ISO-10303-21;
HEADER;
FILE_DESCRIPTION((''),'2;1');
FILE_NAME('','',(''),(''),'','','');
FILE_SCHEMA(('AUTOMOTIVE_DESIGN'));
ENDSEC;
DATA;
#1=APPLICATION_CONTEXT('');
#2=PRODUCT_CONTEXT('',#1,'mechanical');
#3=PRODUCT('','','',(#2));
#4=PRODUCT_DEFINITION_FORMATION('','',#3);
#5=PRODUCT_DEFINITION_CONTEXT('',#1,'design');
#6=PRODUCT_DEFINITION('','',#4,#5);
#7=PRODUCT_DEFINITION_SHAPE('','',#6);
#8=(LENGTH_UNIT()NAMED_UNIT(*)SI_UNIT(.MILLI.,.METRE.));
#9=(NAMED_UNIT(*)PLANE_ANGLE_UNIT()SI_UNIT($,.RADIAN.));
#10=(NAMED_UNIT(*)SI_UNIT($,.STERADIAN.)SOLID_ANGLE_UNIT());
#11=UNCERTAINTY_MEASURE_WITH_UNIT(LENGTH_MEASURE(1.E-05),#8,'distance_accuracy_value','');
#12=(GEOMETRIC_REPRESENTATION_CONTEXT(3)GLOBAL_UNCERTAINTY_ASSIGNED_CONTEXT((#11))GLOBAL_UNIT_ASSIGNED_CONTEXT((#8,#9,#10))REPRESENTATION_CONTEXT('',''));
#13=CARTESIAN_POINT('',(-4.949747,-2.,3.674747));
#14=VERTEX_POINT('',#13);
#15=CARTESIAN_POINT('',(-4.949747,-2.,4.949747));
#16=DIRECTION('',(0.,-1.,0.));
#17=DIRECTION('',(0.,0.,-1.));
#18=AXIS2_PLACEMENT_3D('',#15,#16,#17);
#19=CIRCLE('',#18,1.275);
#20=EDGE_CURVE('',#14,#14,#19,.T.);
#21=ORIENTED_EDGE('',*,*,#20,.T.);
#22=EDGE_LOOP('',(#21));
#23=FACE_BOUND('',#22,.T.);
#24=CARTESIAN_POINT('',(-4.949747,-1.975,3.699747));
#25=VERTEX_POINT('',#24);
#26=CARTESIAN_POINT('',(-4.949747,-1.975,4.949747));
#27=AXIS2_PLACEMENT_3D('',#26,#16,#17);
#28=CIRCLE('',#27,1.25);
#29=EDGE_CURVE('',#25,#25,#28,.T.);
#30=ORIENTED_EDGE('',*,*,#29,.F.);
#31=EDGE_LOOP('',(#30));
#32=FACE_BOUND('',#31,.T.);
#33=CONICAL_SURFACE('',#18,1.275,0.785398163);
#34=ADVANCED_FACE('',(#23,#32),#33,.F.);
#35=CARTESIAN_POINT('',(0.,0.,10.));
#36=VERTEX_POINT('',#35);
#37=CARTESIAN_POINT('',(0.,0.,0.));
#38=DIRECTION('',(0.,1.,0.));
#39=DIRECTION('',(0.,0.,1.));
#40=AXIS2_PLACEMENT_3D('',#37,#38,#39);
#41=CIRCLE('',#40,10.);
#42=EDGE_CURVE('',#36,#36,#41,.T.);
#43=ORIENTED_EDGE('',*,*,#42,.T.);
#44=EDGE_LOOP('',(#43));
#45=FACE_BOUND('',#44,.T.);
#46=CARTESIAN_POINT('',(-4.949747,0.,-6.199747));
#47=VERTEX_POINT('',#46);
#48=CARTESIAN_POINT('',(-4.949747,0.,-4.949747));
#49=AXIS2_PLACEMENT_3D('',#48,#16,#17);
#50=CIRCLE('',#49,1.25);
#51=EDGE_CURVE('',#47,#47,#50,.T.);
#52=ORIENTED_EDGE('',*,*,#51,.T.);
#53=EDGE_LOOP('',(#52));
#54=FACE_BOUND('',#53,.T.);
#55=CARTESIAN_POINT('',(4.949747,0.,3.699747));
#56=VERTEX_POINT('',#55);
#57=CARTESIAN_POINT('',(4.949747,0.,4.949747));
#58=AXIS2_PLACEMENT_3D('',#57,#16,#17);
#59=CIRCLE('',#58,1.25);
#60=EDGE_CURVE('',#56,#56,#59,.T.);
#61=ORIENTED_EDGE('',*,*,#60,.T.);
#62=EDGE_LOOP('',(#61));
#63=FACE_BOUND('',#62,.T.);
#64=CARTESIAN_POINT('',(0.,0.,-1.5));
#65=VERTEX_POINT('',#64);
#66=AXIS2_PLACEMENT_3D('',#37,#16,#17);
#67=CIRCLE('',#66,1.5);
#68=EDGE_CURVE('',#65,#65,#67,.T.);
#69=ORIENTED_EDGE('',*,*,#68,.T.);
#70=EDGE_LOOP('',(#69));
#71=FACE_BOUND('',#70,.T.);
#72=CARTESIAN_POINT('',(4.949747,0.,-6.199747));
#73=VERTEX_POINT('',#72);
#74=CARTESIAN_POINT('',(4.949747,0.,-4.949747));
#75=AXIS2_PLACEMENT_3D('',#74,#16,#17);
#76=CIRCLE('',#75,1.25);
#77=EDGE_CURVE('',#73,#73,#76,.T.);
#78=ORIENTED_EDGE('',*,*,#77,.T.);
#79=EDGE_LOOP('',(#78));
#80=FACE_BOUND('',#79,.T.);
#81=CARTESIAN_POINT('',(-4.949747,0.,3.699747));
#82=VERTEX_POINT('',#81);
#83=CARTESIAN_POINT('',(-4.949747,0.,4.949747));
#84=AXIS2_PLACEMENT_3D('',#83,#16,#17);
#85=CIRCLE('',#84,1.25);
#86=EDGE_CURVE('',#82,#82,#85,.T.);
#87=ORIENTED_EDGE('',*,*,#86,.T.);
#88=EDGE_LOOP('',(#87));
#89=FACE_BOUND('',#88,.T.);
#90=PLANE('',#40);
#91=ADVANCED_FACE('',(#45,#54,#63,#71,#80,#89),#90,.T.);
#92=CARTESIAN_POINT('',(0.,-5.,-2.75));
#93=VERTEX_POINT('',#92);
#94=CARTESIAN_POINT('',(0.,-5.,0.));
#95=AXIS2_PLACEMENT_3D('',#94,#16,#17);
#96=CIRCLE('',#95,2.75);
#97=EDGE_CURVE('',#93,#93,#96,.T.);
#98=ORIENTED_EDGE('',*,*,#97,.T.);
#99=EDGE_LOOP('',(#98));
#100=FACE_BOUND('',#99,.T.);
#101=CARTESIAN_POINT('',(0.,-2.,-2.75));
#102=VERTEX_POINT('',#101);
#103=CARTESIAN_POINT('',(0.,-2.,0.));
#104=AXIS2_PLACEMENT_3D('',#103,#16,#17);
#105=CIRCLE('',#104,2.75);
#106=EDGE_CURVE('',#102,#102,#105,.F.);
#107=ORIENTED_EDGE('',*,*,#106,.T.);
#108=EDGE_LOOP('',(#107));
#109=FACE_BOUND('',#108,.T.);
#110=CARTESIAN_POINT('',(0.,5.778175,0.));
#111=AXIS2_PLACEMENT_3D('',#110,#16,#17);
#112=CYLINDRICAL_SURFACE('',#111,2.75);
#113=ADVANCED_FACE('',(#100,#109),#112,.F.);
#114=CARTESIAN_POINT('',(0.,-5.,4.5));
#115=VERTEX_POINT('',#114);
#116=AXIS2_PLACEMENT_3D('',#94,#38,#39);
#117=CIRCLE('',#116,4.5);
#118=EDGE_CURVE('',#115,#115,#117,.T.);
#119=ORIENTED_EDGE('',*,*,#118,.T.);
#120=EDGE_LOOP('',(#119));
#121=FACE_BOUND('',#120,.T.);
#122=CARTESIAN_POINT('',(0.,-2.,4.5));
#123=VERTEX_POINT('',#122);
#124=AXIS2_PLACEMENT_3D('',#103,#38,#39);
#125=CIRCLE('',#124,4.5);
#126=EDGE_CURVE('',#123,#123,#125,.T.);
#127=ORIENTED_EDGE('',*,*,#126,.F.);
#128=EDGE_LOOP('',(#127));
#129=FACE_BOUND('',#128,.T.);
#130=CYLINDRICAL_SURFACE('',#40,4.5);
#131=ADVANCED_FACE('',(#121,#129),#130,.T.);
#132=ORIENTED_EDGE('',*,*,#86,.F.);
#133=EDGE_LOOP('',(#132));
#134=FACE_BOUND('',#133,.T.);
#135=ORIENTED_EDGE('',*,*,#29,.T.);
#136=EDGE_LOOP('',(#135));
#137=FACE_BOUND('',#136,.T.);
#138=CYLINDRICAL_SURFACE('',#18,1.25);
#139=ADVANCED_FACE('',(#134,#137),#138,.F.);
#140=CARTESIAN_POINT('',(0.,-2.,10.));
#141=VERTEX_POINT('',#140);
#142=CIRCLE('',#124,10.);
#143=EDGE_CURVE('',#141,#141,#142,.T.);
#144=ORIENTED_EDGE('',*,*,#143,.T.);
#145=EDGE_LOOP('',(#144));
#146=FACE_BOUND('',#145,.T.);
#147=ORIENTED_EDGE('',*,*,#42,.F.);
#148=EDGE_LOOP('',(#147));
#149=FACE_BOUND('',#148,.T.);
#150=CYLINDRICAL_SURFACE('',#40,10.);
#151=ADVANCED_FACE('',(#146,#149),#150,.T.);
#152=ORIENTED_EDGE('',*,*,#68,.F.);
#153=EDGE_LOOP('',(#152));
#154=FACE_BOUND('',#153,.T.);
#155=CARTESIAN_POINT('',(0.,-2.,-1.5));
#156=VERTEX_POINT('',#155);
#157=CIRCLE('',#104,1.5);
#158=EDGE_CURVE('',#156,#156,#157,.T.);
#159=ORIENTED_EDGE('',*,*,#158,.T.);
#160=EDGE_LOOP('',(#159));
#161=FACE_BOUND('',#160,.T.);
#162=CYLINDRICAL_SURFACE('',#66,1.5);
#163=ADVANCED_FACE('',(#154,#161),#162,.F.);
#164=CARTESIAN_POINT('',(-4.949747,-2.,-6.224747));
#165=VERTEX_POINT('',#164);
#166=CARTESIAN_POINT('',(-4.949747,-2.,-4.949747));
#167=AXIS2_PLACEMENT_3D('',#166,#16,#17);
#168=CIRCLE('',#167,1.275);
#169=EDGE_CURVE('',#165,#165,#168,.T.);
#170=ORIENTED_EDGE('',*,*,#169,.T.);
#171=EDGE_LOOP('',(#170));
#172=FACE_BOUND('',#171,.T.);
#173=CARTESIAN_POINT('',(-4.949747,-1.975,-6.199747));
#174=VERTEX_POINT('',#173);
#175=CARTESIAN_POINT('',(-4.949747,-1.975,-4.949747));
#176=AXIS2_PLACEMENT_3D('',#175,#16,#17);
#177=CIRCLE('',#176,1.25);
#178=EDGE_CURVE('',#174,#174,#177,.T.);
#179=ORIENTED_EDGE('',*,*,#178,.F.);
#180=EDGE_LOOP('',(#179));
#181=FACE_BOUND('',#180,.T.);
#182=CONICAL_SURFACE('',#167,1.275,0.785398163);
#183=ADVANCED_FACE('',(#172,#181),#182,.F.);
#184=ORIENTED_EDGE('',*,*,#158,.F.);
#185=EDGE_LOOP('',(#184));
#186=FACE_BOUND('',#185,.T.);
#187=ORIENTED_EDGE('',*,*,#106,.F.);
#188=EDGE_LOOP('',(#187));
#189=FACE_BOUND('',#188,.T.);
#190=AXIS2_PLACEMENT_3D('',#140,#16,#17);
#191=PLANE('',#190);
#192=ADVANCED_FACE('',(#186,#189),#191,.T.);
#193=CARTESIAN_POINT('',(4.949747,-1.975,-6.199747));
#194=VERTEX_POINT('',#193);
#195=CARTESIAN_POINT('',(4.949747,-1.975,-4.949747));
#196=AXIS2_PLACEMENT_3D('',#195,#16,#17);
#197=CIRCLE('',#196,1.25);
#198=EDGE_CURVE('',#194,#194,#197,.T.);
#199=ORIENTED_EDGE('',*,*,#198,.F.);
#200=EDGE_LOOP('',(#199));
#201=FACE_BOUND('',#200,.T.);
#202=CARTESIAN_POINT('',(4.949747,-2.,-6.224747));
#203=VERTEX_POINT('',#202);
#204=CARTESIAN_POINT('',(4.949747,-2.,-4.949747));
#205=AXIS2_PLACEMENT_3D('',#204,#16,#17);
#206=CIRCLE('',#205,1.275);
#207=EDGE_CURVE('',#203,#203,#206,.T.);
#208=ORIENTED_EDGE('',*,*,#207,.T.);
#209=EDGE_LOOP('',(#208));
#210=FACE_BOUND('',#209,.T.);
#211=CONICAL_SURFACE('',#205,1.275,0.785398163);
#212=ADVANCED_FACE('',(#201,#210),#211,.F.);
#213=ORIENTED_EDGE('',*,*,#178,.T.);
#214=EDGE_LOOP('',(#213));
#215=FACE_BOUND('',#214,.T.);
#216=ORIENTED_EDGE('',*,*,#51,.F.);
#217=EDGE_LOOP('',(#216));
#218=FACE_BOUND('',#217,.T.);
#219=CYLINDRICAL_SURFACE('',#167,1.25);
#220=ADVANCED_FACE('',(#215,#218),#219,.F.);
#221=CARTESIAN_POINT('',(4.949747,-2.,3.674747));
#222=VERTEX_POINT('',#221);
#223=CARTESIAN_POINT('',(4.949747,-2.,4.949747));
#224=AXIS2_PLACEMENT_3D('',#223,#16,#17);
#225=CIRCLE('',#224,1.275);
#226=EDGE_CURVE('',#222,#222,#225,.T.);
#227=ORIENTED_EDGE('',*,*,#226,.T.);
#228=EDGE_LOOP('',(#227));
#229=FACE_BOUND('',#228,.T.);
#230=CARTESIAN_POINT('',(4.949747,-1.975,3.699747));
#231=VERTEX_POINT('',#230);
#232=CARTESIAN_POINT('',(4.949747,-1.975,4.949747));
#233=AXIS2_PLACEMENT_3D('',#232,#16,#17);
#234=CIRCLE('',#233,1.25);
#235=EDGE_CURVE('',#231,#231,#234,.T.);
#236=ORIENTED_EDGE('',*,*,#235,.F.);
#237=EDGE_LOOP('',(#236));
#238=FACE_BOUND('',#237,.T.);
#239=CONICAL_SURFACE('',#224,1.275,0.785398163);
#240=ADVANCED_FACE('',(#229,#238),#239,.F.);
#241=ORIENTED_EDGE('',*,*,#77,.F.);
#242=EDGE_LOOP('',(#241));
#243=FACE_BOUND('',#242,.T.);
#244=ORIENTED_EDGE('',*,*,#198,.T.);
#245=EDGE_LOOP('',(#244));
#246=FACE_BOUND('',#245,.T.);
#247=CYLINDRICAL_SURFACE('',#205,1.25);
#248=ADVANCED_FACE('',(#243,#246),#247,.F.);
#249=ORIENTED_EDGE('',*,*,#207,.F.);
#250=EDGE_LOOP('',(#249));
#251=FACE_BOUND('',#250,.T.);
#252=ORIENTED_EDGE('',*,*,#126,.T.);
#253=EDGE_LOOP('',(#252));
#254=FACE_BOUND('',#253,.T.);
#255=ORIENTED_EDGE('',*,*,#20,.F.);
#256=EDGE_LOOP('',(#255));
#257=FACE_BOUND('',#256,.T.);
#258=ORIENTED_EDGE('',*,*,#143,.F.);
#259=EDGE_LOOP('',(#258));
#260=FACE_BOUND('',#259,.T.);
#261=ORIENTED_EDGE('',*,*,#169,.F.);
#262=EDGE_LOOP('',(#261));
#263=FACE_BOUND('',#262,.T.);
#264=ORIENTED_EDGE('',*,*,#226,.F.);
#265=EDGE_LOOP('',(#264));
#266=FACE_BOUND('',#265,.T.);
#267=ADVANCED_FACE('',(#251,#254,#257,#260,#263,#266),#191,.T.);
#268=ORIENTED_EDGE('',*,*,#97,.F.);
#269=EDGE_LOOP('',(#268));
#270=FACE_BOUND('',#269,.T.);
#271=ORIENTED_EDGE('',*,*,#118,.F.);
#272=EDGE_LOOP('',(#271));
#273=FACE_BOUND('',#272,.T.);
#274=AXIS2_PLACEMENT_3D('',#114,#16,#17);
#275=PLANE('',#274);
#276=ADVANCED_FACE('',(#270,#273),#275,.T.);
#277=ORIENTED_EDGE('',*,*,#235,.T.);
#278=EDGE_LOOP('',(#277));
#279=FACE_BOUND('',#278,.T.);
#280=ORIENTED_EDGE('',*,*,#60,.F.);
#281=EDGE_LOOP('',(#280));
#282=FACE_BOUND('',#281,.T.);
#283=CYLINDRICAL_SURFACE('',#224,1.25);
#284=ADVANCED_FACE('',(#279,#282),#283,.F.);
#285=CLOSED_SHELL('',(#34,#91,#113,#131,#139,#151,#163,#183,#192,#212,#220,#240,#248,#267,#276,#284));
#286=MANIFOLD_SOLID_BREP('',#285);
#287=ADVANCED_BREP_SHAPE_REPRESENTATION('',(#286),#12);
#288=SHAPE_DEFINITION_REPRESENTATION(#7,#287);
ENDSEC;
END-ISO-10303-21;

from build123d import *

# Parameters (mm, degrees)
TAP_DRILL_FOR_M3X0_5_TAP1_D           = 2.5
TAP_DRILL_FOR_M3X0_5_TAP1_CSINK_D     = 2.55
TAP_DRILL_FOR_M3X0_5_TAP1_CSINK_ANGLE = 90
SKETCH5_R                             = 2.75
CUT_EXTRUDE1_DEPTH                    = 3
SKETCH6_R                             = 1.5
CUT_EXTRUDE2_DEPTH                    = 15.456832295


with BuildPart() as part:
    # Sketch1 → Revolve1 (revolve)
    with BuildSketch(Plane(origin=(0, 0, 0), x_dir=(0, 0, -1), z_dir=(1, 0, 0))):
        Polygon((0, 0), (-10, 0), (-10, -2), (-4.5, -2), (-4.5, -5), (0, -5), align=None)
    revolve(axis=Axis((0, 0, 0), (0, -1, 0)))

    # Tap Drill for M3x0.5 Tap1 (through all)
    with Locations(Plane(origin=(0, -2, 0), x_dir=(-1, 0, 0), z_dir=(0, -1, 0))):
        with Locations((4.949747468, 4.949747468), (-4.949747468, -4.949747468), (-4.949747468, 4.949747468), (4.949747468, -4.949747468)):
            CounterSinkHole(TAP_DRILL_FOR_M3X0_5_TAP1_D / 2, TAP_DRILL_FOR_M3X0_5_TAP1_CSINK_D / 2, counter_sink_angle=TAP_DRILL_FOR_M3X0_5_TAP1_CSINK_ANGLE)

    # Sketch5 → Cut-Extrude1 (cut)
    with BuildSketch(Plane(origin=(0, -5, 0), x_dir=(-1, 0, 0), z_dir=(0, -1, 0))):
        with Locations(Location((0, 0, 0), (0, 0, 90))):
            Circle(SKETCH5_R)
    extrude(amount=-CUT_EXTRUDE1_DEPTH, mode=Mode.SUBTRACT)

    # Sketch6 → Cut-Extrude2 (cut, through all)
    with BuildSketch(Plane(origin=(0, -2, 0), x_dir=(-1, 0, 0), z_dir=(0, -1, 0))):
        with Locations(Location((0, 0, 0), (0, 0, 90))):
            Circle(SKETCH6_R)
    extrude(amount=-CUT_EXTRUDE2_DEPTH, mode=Mode.SUBTRACT)


solid = part.part
